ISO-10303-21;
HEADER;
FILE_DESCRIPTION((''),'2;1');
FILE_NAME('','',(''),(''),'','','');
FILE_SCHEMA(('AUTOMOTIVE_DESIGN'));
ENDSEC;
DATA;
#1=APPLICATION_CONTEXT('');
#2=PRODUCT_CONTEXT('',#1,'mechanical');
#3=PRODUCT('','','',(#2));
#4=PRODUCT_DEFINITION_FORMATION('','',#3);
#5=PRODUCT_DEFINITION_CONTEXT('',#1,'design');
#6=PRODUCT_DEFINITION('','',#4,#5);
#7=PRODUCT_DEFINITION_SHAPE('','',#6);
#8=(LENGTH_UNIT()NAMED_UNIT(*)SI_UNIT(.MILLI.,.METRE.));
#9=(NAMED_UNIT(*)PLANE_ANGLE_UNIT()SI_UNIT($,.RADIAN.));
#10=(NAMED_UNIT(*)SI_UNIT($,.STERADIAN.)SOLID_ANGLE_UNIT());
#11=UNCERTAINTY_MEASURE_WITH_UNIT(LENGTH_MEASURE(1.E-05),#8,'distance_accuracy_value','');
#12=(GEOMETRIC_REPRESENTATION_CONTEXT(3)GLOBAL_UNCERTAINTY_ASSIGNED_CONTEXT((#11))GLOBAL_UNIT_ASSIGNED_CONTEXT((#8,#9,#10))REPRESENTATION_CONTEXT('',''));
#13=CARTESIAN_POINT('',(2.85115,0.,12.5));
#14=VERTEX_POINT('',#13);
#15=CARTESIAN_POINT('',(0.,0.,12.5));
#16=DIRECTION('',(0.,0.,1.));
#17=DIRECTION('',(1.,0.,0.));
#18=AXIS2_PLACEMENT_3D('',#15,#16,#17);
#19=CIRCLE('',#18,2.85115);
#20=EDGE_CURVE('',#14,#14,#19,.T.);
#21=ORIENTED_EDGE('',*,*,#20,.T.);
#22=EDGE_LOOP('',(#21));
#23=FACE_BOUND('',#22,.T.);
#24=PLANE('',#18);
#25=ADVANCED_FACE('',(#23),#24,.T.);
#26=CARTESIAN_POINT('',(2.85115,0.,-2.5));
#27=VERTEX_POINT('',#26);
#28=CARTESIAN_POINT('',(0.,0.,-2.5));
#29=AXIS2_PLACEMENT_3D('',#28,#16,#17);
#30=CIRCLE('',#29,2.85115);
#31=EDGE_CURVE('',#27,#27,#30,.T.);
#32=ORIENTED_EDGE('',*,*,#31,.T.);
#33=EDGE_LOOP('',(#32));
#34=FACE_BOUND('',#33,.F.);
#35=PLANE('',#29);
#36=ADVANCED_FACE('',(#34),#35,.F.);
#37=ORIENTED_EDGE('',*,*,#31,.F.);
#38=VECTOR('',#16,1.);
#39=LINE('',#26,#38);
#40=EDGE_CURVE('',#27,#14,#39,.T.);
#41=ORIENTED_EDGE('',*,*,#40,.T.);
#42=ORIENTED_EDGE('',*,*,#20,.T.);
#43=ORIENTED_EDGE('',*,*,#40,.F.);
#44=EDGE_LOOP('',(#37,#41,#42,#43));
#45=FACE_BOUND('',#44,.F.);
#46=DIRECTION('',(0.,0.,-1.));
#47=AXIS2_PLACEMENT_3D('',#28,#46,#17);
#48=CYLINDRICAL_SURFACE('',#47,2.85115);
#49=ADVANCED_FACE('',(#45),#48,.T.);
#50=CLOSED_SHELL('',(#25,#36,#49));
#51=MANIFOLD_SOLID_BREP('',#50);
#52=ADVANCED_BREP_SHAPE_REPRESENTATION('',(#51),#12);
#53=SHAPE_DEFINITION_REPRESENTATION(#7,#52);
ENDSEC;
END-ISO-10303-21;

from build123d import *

# Parameters (mm, degrees)
CYLINDER_R     = 2.85115
CYLINDER_DEPTH = 15


with BuildPart() as part:
    # Cylinder → Cylinder (new body)
    with BuildSketch(Plane.XY.offset(-2.5)):
        Circle(CYLINDER_R)
    extrude(amount=CYLINDER_DEPTH)


solid = part.part
